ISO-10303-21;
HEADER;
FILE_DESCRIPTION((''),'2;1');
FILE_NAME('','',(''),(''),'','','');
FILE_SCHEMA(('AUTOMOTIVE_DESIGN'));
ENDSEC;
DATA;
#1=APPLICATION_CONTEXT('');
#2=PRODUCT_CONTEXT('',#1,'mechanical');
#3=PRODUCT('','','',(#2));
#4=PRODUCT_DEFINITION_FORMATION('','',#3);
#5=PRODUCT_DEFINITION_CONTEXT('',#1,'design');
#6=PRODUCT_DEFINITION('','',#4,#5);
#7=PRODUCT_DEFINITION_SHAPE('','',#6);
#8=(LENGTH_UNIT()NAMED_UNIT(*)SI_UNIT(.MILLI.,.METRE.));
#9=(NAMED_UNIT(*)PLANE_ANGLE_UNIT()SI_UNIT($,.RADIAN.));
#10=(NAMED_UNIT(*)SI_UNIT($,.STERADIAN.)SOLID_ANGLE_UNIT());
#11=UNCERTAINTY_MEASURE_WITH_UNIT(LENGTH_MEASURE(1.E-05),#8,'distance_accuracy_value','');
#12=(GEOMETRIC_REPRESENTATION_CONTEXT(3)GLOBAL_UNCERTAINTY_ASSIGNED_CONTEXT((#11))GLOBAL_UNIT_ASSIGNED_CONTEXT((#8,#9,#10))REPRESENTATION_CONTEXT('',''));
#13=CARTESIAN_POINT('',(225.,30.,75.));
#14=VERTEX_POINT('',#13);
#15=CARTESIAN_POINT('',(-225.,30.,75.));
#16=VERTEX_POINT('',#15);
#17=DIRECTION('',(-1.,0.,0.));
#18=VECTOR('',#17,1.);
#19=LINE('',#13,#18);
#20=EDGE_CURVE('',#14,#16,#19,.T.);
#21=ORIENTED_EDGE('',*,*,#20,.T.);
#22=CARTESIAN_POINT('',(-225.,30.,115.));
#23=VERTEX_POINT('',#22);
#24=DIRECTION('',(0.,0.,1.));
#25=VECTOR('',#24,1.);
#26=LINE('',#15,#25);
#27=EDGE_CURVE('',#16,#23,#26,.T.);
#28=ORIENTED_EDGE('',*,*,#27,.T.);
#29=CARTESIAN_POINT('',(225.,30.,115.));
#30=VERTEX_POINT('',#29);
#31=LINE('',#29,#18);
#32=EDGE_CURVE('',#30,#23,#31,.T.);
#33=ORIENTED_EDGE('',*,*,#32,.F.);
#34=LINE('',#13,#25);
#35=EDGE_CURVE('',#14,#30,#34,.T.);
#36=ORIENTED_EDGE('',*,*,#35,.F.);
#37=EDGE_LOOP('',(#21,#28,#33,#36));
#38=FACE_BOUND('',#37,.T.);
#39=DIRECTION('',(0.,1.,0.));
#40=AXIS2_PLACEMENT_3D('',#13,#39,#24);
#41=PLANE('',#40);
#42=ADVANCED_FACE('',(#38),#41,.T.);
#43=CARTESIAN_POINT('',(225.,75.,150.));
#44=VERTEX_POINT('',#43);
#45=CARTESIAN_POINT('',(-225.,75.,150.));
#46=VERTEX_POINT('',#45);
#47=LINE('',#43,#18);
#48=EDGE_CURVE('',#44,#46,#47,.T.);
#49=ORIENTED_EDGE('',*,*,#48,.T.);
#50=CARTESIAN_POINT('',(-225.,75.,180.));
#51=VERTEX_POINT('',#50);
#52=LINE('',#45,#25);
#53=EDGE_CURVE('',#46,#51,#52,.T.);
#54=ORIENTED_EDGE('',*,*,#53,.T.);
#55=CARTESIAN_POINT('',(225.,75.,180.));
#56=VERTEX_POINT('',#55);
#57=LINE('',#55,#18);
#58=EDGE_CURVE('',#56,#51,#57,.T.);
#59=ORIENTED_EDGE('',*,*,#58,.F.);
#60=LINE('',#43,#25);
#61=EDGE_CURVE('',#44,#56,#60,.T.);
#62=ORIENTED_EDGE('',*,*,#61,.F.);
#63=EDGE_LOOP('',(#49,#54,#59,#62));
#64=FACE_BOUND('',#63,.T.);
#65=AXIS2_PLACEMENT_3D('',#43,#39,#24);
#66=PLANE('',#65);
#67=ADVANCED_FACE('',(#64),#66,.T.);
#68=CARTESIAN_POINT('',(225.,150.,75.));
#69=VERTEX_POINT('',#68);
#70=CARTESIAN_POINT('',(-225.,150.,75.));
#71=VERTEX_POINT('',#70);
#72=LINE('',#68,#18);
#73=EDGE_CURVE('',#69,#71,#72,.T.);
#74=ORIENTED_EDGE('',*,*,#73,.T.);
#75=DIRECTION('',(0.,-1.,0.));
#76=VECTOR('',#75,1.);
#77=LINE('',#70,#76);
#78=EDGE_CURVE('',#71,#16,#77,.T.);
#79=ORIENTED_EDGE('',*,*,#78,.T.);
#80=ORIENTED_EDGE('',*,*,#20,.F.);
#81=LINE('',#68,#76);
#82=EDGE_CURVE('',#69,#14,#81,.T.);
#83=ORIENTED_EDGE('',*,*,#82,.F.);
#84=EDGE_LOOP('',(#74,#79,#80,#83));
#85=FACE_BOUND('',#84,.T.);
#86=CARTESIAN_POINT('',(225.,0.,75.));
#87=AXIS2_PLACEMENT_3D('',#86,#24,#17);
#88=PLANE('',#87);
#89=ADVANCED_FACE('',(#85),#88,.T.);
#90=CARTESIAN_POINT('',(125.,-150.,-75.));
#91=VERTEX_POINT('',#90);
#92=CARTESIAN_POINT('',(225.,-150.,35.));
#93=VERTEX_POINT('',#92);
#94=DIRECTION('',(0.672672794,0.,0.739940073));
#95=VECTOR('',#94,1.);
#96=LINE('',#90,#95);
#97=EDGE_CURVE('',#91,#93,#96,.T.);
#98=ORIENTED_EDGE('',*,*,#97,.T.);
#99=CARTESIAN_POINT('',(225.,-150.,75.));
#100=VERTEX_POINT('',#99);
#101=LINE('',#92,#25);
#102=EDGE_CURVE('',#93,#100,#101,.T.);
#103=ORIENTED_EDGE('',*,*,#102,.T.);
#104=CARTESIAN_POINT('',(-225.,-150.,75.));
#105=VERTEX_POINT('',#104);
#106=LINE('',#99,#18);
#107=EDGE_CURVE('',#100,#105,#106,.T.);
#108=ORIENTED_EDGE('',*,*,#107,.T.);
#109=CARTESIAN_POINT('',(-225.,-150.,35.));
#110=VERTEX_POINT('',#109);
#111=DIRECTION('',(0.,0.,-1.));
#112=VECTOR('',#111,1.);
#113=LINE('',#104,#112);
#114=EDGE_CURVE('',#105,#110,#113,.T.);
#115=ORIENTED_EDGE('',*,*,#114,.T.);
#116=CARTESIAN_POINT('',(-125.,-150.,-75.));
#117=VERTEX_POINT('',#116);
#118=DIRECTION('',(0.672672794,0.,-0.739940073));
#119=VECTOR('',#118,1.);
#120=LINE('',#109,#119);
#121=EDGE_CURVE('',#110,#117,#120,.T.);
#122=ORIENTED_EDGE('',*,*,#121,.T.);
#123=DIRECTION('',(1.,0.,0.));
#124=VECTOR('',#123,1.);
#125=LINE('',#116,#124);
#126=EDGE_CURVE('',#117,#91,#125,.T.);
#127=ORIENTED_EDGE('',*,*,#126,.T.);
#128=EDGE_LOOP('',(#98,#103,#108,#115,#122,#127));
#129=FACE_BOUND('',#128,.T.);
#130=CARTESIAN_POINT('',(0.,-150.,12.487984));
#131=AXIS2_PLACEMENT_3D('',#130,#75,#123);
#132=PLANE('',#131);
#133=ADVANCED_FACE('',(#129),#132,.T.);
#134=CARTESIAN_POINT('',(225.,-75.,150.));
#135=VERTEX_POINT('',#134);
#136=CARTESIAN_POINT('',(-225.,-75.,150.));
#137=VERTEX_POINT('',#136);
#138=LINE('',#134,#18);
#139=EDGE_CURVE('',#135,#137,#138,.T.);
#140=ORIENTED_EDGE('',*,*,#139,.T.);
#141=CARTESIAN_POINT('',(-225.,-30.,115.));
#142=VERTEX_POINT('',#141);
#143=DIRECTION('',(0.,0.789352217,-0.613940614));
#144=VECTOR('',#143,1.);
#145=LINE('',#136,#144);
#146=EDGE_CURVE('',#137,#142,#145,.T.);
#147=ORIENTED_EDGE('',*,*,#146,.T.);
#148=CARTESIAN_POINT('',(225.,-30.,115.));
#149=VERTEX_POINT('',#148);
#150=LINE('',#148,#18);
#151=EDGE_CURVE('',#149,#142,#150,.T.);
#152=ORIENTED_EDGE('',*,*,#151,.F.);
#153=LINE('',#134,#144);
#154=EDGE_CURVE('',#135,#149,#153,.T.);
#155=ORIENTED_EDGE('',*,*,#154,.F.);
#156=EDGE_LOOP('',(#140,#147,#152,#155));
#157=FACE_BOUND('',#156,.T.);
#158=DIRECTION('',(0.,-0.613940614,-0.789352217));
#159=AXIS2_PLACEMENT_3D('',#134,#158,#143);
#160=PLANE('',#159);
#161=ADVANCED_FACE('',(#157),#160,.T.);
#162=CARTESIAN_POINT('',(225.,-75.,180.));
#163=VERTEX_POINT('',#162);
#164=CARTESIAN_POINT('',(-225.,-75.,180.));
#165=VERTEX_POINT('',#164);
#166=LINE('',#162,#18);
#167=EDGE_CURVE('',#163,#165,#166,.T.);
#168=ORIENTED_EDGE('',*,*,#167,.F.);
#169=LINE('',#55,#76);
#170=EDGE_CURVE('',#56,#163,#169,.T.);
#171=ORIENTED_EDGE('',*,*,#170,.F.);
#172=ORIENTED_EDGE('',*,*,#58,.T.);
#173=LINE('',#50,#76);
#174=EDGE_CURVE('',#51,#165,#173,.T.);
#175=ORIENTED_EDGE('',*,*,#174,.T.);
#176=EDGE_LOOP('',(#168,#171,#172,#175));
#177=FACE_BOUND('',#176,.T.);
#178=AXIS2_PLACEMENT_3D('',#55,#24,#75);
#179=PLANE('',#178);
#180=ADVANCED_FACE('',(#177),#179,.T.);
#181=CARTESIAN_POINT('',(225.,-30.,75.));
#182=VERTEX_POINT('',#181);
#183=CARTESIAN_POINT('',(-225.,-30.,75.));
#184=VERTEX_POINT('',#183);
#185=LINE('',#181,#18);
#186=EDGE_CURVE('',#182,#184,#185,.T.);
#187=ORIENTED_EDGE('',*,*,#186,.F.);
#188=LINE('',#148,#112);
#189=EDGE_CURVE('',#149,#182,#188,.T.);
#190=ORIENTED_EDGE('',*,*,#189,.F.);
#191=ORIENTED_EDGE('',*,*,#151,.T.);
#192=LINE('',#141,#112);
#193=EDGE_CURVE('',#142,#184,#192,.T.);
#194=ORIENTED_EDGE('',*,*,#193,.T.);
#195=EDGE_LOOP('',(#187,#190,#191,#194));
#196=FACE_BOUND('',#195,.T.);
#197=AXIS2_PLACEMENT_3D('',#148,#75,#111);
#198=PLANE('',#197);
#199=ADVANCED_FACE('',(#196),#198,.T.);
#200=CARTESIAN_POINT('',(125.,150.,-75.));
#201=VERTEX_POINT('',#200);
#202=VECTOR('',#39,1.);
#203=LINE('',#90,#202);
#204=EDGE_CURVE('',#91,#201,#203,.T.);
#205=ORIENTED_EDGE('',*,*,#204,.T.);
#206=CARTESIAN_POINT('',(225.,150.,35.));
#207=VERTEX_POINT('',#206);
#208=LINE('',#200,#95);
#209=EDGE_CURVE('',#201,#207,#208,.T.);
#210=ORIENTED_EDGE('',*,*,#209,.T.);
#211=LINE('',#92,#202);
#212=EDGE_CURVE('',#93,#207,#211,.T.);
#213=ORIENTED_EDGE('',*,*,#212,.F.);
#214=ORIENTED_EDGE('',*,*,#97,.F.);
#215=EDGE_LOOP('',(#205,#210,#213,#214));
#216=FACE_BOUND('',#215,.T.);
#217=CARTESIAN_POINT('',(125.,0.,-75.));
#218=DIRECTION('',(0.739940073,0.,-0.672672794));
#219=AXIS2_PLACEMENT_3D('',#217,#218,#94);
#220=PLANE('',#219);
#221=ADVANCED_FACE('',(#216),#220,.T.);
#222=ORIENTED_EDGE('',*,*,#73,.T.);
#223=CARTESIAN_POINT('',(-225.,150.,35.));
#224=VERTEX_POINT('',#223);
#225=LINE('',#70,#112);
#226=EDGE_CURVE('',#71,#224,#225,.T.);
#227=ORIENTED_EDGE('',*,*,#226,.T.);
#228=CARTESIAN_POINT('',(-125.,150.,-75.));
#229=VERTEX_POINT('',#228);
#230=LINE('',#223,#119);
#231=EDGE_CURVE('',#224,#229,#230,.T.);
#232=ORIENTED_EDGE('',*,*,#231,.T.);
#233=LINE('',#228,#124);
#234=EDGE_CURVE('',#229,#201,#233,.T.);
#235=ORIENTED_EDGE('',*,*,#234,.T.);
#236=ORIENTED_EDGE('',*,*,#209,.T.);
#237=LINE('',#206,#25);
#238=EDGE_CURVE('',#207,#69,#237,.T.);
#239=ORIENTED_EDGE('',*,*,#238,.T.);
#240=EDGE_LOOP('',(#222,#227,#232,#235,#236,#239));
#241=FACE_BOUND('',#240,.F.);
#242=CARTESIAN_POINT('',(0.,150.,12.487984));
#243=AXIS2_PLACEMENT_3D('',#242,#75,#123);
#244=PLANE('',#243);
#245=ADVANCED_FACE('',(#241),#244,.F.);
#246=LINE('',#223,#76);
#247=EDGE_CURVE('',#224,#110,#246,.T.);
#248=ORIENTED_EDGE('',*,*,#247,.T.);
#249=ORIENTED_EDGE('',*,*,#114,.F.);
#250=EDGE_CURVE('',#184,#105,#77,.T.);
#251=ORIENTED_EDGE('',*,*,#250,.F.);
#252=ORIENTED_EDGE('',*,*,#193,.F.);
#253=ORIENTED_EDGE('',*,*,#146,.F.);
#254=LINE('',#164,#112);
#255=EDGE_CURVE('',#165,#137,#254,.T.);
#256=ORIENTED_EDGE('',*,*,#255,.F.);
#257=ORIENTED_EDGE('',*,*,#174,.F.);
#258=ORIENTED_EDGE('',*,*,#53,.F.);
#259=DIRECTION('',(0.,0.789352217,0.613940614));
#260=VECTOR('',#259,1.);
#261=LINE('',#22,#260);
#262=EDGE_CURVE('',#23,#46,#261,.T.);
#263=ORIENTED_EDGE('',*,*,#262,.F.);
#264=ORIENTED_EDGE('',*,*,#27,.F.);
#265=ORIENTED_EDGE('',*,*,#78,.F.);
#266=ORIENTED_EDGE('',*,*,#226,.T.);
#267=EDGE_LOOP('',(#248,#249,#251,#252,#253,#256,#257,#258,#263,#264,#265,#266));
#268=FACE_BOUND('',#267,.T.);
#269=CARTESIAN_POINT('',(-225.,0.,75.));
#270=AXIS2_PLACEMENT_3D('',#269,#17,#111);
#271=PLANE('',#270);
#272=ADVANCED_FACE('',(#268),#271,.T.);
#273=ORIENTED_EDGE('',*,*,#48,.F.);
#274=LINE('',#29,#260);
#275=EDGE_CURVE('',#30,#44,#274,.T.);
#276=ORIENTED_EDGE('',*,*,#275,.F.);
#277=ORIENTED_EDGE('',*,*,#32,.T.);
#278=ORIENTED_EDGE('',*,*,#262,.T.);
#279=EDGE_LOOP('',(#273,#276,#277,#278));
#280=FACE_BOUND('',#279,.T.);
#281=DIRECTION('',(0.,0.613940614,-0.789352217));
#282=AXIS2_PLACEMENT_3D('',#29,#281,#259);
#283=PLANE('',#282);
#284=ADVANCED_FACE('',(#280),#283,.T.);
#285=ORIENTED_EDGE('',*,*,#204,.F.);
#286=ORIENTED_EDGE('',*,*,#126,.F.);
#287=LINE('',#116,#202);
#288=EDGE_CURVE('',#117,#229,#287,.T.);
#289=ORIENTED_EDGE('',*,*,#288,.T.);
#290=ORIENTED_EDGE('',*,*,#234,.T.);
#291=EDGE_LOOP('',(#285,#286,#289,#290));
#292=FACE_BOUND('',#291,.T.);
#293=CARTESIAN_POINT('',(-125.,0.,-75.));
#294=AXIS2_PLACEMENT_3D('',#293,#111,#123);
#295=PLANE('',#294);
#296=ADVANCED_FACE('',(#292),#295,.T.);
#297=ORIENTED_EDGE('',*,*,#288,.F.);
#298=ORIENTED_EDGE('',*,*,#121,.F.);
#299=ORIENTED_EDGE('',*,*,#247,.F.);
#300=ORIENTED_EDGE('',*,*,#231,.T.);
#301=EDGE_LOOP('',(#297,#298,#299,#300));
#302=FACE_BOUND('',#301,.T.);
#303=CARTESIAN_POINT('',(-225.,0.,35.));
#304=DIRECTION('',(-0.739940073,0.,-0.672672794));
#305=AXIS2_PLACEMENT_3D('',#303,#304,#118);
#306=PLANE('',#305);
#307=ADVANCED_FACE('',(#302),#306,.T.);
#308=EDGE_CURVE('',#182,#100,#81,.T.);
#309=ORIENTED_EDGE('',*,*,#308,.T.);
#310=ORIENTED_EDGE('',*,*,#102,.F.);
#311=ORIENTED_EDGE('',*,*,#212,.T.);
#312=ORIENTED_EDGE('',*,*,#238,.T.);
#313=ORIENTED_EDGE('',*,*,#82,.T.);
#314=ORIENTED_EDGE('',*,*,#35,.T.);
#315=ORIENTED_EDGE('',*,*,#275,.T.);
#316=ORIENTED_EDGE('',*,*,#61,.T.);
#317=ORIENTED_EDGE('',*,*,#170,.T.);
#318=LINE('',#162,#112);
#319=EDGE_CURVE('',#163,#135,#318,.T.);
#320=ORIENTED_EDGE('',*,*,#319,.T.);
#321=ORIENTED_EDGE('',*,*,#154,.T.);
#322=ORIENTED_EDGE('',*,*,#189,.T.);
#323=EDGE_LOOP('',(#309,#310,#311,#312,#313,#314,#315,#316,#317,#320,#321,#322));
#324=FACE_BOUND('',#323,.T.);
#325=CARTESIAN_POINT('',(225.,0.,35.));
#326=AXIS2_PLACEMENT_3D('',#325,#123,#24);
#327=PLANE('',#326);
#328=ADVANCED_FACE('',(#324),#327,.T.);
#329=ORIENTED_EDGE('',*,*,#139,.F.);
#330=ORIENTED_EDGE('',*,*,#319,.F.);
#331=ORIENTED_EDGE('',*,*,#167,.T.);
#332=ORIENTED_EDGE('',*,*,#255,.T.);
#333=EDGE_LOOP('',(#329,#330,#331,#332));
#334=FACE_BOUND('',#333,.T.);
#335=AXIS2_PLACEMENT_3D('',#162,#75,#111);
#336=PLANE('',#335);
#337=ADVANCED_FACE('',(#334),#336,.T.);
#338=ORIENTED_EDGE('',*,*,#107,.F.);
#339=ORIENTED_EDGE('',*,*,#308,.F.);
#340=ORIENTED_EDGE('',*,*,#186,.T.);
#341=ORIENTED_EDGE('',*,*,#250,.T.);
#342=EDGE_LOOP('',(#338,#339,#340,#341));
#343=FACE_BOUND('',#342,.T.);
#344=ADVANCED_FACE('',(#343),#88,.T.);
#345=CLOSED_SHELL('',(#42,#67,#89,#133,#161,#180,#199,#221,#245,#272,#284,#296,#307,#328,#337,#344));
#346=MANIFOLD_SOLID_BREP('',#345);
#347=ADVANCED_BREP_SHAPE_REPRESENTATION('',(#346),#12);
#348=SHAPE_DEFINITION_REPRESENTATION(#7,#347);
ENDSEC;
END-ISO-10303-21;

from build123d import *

# Parameters (mm, degrees)
F1_DEPTH = 150
F3_DEPTH = 450


with BuildPart() as f1:
    # F0 (on Front) → F1 (new body, symmetric)
    with BuildSketch(Plane.XZ):
        Polygon((225, 35), (225, 75), (-225, 75), (-225, 35), (-125, -75), (125, -75), align=None)
    extrude(amount=F1_DEPTH, both=True)

    # F2 (on face) → F3 (join, through all)
    with BuildSketch(Plane.YZ.offset(225)):
        Polygon((-30, 115), (-30, 75), (30, 75), (30, 115), (75, 150), (75, 180), (-75, 180), (-75, 150), align=None)
    extrude(amount=-F3_DEPTH)


solid = f1.part
